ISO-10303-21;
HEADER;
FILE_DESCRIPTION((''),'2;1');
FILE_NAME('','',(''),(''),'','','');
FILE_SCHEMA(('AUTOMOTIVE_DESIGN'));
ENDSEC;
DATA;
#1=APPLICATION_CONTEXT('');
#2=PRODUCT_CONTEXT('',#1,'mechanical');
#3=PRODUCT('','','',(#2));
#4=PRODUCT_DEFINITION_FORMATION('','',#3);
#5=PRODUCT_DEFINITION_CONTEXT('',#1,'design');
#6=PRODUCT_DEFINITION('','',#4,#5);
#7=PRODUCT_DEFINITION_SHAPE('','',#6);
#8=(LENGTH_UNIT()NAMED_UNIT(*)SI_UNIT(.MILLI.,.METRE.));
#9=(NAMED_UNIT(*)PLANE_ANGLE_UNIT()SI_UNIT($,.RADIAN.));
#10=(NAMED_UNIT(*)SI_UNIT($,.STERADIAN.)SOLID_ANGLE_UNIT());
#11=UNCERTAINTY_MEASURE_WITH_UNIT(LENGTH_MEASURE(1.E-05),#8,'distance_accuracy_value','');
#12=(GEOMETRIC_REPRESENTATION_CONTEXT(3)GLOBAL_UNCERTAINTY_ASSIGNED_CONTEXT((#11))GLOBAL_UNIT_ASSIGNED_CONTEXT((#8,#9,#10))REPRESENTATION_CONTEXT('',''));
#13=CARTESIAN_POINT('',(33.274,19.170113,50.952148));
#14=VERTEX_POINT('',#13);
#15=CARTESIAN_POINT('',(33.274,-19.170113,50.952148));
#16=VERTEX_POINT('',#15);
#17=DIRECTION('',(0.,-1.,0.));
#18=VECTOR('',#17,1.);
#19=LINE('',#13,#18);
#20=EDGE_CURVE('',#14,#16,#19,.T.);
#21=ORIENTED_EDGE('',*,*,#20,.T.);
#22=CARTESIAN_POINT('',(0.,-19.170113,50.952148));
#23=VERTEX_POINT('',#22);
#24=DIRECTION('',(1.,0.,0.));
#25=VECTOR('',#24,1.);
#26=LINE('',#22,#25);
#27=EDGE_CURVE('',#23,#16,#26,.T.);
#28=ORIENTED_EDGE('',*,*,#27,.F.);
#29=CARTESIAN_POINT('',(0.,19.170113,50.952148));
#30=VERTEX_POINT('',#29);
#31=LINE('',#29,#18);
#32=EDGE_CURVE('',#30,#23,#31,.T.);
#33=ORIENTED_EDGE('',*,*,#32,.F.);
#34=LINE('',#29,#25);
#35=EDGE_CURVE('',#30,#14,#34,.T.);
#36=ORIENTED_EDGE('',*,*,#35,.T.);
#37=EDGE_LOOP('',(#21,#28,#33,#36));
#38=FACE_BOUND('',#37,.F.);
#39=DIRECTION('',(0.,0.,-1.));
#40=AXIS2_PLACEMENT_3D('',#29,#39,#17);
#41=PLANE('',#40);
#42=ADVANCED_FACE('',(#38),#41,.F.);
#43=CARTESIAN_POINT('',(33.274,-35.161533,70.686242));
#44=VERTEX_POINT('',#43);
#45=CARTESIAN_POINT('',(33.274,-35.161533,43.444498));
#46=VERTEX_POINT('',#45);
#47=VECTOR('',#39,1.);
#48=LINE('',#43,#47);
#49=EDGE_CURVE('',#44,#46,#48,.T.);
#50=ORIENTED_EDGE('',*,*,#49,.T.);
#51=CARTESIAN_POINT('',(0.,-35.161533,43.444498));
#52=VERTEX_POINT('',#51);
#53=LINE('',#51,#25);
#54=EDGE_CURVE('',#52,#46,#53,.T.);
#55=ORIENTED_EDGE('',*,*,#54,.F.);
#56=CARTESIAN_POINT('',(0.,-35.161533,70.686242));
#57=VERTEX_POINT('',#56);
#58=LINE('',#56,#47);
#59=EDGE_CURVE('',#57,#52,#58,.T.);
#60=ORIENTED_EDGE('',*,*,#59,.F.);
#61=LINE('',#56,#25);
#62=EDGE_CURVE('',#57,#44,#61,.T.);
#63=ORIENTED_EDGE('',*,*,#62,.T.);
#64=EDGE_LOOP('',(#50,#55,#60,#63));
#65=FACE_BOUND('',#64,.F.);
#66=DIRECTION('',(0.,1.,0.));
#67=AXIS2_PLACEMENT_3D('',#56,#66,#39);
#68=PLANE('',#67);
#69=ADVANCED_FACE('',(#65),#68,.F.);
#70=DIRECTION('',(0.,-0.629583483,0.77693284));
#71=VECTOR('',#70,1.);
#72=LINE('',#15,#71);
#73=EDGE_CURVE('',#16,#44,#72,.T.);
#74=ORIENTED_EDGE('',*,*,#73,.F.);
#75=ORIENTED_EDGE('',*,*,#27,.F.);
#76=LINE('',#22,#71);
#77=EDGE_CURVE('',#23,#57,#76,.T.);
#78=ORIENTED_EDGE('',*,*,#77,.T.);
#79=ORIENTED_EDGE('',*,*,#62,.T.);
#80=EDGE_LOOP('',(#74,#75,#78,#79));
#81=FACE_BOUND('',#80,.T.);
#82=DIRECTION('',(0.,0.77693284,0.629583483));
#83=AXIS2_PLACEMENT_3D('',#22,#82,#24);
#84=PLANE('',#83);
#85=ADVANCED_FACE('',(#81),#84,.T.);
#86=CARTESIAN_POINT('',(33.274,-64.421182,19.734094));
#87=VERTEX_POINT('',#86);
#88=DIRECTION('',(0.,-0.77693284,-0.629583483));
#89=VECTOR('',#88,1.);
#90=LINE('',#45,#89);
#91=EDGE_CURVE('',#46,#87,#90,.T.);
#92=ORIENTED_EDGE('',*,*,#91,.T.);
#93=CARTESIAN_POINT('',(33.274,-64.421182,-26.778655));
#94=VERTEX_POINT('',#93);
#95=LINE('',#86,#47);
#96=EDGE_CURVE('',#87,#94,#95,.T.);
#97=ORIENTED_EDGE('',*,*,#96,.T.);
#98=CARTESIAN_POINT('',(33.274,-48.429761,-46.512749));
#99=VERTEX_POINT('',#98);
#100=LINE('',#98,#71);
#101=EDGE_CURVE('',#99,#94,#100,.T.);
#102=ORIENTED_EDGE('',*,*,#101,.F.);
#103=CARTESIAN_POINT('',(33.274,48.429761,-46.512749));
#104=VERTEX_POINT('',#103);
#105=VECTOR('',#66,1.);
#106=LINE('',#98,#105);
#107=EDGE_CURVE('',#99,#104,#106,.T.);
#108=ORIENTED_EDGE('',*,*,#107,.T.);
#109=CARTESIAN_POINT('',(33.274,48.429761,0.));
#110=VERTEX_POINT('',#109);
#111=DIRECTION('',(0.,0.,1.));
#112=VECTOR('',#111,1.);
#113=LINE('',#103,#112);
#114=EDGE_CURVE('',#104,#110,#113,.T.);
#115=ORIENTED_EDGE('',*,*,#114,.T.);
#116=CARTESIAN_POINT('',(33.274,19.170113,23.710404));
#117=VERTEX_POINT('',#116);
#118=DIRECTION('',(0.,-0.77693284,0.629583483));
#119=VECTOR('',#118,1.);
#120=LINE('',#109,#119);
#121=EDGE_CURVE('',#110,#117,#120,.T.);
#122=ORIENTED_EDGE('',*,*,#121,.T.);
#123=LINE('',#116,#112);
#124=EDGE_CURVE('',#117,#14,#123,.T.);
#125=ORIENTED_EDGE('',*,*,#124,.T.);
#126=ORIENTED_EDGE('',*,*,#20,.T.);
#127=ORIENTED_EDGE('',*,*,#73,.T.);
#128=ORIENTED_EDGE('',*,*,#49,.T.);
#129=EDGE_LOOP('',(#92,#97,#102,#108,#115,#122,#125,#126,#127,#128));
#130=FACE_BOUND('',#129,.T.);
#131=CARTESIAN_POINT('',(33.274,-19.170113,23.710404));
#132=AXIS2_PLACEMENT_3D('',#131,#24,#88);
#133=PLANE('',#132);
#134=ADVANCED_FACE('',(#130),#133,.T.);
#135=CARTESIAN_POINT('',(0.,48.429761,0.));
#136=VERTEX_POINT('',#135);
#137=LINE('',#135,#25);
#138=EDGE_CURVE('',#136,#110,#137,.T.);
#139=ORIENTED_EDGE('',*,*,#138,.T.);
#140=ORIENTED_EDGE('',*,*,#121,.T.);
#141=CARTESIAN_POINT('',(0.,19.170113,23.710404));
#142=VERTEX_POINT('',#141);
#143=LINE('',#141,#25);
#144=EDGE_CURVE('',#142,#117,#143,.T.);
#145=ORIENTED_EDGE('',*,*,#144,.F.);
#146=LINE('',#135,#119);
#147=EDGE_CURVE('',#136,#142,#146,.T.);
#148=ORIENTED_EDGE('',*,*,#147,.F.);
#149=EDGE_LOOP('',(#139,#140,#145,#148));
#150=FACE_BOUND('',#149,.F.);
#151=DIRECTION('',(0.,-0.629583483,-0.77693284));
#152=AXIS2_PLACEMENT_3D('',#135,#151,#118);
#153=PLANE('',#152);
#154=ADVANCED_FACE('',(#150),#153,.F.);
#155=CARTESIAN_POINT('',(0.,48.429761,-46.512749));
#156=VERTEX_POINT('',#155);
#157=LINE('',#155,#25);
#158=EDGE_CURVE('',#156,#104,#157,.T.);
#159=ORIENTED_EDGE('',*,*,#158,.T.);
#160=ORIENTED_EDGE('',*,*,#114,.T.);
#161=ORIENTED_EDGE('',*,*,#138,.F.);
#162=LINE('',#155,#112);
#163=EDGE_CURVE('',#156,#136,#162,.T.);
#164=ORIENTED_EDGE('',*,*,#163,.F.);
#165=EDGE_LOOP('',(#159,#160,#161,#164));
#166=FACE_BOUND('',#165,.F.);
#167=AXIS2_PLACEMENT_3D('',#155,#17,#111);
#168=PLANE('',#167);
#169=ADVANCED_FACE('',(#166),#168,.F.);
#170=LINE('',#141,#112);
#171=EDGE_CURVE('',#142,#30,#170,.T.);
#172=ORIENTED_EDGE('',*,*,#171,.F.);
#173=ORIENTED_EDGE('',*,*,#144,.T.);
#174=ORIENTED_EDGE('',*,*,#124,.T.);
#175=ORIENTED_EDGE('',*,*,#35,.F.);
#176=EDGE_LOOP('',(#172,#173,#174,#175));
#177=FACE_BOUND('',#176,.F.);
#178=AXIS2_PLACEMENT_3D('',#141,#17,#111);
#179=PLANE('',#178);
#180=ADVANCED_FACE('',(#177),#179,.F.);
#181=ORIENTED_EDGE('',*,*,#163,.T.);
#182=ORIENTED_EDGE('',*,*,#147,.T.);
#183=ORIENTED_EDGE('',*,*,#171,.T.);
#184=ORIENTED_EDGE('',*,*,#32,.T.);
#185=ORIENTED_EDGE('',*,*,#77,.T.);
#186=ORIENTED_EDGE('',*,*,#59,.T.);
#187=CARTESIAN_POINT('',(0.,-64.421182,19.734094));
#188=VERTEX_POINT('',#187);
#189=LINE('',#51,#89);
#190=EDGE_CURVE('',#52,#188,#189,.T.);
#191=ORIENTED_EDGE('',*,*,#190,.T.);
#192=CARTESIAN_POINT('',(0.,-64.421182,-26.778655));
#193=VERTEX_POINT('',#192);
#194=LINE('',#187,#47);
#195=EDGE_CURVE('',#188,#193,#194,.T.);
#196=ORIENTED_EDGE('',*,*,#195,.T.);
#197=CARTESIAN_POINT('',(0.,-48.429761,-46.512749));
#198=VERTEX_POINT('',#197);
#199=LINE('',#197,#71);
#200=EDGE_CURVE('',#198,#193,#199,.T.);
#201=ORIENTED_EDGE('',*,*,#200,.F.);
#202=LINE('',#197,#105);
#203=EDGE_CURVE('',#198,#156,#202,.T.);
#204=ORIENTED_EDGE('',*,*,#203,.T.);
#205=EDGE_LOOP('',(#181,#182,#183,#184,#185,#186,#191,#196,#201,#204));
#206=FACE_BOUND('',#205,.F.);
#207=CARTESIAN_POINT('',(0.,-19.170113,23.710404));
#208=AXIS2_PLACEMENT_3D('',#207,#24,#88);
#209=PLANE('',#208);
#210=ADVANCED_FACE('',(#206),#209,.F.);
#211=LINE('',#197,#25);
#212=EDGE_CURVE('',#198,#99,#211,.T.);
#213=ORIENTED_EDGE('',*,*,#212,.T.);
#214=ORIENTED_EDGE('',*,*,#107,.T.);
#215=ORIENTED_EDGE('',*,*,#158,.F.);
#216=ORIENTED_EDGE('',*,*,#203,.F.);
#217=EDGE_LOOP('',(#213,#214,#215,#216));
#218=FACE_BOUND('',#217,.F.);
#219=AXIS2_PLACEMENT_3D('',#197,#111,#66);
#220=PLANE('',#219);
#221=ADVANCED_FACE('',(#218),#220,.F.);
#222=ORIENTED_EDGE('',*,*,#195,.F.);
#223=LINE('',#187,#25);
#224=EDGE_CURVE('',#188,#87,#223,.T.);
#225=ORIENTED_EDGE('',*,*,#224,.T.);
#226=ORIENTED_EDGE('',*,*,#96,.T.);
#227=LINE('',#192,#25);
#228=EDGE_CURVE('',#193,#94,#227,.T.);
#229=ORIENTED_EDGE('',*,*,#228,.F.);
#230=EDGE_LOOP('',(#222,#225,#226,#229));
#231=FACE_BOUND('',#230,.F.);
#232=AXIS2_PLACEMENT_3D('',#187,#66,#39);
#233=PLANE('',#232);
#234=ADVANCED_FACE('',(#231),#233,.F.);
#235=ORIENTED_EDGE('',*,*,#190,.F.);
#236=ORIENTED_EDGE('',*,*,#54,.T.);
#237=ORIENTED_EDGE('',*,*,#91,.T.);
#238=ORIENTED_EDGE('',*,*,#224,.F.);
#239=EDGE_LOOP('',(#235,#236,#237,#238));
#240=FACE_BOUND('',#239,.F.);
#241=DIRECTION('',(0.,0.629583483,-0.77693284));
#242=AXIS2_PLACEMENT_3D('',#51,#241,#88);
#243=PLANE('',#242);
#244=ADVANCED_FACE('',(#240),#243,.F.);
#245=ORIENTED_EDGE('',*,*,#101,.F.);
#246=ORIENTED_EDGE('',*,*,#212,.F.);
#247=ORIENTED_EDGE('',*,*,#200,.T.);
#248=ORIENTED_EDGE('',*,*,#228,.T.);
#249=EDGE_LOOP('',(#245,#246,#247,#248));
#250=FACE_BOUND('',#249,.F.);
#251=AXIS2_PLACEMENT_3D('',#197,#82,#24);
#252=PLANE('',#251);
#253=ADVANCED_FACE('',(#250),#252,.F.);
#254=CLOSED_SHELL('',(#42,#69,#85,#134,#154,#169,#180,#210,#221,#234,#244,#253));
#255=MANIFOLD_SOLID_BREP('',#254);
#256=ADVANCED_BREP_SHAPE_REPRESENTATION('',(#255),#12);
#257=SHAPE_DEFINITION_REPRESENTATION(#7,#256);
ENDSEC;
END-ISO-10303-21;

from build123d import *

# Parameters (mm, degrees)
F1_DEPTH = 33.274
F2_DEPTH = 25.4


with BuildPart() as f1:
    # F0 (on Right) → F1 (new body)
    with BuildSketch(Plane.YZ):
        Polygon((0, 50.9521476924), (-19.1701129079, 50.9521476924), (-19.1701129079, 23.7104035914), (-48.4297610819, 0), (-48.4297610819, -46.5127490461), (0, -46.5127490461), (48.4297610819, -46.5127490461), (48.4297610819, 0), (19.1701129079, 23.7104035914), (19.1701129079, 50.9521476924), align=None)
    extrude(amount=F1_DEPTH)

    # F2 (add): faces of the model
    f2_faces = [f1.faces().sort_by_distance(p)[0] for p in [
        (16.637, -33.7999369949, 11.8552017957),
        (16.637, -48.4297610819, -23.256374523),
        (16.637, -19.1701129079, 37.3312756419),
    ]]
    extrude(f2_faces, amount=F2_DEPTH, dir=(0, -0.6295834828, 0.7769328402))


solid = f1.part
